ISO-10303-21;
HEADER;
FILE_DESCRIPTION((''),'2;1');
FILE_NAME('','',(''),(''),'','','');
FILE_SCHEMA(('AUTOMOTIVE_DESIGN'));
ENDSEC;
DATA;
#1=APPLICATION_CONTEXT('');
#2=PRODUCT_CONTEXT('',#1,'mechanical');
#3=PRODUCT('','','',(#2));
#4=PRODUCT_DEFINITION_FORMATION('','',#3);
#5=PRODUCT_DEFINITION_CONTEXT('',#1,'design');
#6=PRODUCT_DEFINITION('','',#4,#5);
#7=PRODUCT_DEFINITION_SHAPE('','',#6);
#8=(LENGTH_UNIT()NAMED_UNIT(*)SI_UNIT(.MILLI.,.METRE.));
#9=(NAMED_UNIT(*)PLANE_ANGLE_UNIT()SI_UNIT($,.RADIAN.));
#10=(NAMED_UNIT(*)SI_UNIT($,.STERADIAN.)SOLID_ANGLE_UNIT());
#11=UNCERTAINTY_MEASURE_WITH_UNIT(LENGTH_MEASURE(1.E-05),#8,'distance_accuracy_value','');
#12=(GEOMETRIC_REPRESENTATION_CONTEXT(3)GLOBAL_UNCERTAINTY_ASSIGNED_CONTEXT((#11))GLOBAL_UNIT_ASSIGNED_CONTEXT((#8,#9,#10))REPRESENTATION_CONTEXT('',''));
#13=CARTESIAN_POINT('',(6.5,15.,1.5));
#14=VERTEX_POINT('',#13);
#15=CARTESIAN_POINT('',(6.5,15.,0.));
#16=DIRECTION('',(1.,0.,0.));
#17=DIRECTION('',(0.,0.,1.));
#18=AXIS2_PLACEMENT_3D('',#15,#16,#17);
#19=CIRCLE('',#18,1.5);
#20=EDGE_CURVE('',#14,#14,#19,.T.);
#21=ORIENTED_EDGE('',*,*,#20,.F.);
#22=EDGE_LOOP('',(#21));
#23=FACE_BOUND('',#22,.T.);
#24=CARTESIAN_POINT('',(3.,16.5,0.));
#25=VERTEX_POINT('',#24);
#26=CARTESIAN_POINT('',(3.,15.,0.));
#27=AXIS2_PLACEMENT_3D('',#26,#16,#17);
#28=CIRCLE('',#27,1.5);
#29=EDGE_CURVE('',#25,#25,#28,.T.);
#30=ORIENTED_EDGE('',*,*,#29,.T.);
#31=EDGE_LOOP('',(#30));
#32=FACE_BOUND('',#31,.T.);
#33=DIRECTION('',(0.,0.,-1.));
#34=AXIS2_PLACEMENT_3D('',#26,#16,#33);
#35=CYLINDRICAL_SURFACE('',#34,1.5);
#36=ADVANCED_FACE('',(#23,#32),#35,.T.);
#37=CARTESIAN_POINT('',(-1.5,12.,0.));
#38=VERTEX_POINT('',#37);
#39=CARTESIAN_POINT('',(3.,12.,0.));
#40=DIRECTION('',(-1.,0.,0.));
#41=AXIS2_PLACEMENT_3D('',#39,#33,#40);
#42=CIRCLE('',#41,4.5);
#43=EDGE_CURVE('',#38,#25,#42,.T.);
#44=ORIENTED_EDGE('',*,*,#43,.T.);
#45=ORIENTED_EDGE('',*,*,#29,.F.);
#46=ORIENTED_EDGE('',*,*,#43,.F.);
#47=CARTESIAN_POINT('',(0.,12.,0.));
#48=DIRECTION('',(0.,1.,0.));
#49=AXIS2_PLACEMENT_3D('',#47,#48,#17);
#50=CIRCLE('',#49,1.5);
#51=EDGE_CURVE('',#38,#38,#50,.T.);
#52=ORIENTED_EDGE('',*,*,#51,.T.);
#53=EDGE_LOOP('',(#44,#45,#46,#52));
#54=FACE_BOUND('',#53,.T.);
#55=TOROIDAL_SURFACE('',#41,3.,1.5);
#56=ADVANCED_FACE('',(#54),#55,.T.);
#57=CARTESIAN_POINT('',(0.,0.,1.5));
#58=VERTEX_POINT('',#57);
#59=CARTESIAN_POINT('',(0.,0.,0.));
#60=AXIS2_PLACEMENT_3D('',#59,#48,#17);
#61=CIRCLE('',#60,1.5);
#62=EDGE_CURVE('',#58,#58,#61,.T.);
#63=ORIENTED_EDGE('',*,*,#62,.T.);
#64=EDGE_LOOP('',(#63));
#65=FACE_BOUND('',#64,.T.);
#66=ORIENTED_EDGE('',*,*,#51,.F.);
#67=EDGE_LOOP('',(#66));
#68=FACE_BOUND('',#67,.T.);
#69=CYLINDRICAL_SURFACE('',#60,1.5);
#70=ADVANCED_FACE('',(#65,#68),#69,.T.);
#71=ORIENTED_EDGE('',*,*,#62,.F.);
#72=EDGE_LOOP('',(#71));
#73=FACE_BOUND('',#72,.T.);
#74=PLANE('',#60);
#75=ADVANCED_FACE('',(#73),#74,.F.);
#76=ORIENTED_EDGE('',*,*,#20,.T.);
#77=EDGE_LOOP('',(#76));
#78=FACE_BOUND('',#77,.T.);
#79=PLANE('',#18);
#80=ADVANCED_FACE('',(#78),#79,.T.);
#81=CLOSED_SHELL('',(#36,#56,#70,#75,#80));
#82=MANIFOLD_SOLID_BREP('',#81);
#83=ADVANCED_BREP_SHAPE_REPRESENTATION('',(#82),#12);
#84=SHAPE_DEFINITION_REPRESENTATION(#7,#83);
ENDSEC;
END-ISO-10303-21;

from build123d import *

# Parameters (mm, degrees)
SKETCH2_R = 1.5


with BuildPart() as part:
    # Sweep1: sweep along a path in Sketch1
    with BuildLine(Plane.XY) as sweep1_path:
        Line((0, 0), (0, 12))
        ThreePointArc((0, 12), (0.878679656, 14.121320344), (3, 15))
        Line((3, 15), (6.5, 15))
    # Sketch2 → Sweep1 (sweep)
    with BuildSketch(Plane(origin=(0, 0, 0), x_dir=(1, 0, 0), z_dir=(0, 1, 0))):
        Circle(SKETCH2_R)
    sweep(path=sweep1_path.line)


solid = part.part
